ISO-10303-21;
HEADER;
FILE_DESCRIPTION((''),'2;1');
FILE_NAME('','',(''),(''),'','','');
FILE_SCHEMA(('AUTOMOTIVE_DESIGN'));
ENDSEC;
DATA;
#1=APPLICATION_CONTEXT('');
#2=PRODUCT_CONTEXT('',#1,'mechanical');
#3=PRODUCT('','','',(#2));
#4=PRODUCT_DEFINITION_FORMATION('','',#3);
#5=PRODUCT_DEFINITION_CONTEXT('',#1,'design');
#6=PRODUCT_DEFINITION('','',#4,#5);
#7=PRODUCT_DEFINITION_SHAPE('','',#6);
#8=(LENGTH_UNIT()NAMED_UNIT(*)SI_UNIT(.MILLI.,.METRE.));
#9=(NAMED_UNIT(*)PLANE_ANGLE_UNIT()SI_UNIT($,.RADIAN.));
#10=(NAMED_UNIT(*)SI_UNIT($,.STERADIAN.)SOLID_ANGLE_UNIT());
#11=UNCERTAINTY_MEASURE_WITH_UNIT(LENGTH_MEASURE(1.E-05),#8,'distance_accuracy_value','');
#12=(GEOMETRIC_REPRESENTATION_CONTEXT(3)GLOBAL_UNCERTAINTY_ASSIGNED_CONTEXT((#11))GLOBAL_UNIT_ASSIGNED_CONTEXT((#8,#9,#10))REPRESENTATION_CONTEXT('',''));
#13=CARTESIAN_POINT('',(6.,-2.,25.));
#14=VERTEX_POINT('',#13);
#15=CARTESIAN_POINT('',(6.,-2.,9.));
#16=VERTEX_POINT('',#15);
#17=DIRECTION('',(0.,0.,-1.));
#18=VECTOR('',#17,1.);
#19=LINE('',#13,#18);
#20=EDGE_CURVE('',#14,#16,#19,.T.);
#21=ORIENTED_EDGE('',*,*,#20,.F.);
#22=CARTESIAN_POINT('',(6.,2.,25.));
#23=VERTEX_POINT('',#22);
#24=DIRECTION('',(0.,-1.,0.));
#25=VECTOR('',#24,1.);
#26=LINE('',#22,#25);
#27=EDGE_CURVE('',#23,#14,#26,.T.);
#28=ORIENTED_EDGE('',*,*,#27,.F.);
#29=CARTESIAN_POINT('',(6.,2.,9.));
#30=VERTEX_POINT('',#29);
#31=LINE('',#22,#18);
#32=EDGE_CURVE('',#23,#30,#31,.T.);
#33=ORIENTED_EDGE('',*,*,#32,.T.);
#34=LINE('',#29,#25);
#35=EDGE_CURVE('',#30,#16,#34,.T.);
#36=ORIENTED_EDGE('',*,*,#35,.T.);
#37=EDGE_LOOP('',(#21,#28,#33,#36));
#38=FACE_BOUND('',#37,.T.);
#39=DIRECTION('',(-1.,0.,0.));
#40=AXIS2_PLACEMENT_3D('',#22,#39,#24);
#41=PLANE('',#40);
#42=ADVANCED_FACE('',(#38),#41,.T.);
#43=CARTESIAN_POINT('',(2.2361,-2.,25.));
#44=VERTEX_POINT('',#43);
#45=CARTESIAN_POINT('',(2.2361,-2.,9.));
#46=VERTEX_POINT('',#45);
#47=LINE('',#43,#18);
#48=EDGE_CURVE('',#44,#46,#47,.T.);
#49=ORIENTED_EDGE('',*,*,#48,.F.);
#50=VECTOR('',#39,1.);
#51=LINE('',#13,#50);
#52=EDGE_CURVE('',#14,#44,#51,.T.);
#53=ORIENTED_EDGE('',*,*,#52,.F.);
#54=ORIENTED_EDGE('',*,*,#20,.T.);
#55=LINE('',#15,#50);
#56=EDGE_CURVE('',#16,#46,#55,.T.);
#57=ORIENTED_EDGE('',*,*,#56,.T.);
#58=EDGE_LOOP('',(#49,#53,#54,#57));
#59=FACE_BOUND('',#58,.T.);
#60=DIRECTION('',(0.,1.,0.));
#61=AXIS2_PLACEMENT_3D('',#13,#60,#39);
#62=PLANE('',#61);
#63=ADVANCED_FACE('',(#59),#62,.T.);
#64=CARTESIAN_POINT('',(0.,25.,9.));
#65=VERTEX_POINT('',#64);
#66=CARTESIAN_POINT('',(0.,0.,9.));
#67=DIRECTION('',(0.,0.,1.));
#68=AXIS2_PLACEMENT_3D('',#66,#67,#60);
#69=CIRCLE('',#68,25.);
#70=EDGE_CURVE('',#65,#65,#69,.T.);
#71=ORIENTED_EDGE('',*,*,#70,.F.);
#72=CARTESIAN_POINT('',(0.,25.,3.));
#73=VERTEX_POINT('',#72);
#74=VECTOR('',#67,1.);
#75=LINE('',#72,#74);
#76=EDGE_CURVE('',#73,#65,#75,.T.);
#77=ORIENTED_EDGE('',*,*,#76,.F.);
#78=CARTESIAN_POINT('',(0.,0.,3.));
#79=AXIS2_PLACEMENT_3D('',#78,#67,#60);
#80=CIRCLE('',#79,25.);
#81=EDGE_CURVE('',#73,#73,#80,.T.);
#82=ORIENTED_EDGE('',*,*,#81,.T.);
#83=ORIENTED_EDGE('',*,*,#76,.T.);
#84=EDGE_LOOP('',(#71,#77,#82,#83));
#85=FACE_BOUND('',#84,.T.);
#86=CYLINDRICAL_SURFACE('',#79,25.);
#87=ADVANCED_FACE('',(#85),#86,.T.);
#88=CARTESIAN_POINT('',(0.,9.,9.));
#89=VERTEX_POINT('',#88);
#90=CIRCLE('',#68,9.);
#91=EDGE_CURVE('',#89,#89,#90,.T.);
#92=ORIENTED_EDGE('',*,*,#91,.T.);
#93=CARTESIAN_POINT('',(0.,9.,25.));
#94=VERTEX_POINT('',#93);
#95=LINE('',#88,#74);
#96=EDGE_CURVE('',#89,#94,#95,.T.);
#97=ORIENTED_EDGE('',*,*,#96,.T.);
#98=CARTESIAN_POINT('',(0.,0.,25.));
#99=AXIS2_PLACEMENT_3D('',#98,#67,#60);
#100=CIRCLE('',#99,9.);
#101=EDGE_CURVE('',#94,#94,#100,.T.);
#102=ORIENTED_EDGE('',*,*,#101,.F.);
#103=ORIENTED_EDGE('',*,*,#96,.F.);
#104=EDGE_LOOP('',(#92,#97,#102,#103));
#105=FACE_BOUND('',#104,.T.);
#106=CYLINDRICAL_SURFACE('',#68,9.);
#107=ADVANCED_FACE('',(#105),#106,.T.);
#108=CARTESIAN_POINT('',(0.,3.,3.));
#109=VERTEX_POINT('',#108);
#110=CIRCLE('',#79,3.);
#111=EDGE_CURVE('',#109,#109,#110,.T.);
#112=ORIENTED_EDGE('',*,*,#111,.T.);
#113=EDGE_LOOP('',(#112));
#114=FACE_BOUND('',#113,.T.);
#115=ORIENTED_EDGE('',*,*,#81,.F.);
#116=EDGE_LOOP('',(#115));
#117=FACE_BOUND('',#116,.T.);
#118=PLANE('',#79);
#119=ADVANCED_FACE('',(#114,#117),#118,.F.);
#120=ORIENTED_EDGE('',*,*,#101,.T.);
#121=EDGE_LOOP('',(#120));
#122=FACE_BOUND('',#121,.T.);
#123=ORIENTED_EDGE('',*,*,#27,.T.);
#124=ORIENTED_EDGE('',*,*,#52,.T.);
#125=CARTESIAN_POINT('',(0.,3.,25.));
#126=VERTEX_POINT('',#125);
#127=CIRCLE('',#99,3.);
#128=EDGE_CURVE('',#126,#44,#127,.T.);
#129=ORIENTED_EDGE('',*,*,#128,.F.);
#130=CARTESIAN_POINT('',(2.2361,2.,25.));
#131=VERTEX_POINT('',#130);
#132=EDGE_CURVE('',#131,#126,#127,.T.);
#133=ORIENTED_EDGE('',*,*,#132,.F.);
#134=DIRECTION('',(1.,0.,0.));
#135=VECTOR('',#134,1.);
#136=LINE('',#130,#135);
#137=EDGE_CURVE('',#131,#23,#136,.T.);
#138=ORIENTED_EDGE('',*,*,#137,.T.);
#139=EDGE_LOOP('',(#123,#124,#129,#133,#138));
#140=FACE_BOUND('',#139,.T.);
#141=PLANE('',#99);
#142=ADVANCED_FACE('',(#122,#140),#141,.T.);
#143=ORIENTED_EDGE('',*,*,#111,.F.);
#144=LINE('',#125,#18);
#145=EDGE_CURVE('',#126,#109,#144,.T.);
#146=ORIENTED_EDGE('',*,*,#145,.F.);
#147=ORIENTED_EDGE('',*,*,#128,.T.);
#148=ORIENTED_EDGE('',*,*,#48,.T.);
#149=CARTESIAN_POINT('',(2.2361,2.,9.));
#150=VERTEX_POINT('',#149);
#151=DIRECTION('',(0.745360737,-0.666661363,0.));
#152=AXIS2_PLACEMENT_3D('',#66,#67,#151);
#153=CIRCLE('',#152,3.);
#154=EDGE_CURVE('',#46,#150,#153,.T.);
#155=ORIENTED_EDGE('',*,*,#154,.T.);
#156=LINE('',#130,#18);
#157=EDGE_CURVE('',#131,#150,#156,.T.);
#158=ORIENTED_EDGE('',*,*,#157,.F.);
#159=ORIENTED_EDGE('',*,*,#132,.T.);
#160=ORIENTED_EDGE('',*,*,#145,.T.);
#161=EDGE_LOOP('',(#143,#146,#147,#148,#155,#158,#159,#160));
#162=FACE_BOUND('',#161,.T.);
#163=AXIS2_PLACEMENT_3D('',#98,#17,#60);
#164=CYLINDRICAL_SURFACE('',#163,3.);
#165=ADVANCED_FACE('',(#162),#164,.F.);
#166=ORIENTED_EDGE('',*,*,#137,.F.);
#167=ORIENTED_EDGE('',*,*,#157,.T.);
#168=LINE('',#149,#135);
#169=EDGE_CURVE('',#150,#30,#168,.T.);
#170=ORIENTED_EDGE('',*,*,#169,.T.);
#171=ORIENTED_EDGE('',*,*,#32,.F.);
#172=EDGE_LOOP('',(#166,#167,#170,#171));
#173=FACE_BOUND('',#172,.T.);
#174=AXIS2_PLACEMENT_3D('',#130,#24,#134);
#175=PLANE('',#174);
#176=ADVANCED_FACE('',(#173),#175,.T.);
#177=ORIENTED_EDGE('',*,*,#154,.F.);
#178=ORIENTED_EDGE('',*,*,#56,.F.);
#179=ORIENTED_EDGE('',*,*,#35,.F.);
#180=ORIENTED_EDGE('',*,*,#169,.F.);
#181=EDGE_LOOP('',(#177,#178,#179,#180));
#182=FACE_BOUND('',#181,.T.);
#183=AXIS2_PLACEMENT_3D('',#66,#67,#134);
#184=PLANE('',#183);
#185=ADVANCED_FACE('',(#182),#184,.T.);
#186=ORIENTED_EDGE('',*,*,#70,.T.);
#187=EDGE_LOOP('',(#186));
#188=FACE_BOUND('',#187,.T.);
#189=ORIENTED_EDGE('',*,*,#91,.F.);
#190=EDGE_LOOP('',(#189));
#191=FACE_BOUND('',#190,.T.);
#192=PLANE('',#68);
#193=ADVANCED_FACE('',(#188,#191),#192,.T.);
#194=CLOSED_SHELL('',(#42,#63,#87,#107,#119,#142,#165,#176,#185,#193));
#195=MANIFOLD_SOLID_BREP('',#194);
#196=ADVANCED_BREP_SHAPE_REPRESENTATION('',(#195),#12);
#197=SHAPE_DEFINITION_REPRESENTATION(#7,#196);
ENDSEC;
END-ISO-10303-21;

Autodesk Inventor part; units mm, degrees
ref_plane "YZ Plane" through (0, 0, 0) normal (1, 0, 0) x (0, 1, 0)
ref_plane "XZ Plane" through (0, 0, 0) normal (0, 1, 0) x (-1, 0, 0)
ref_plane "XY Plane" through (0, 0, 0) normal (0, 0, 1) x (1, 0, 0)
sketch "Sketch1" plane through (0, 0, 0) normal (1, 0, 0) x (0, 1, 0)
  line L0 (3, 25) -> (3, 3)
  line L1 (3, 3) -> (25, 3)
  line L2 (25, 3) -> (25, 9)
  line L3 (25, 9) -> (9, 9)
  line L4 (9, 9) -> (9, 25)
  line L5 (9, 25) -> (3, 25)
  line L6 (0, 30) -> (0, -5) projected
  line L7 (-5, 0) -> (30, 0) projected
  point P0 (0, 0)
  dimension "d0" = 6
  dimension "d3" = 22
  dimension "d4" = 3
  dimension "d5" = 3
revolve "Revolution1" add sketch "Sketch1" angle 360 about axis through (0, 0, 0) along (0, 0, 1)
sketch "Sketch2" plane through (0, 0, 25) normal (0, 0, 1) x (1, 0, 0)
  circle A0 centre (0, 0) radius 3 projected
  line L0 (2.2361, 2) -> (6, 2)
  line L1 (6, 2) -> (6, -2)
  line L2 (6, -2) -> (2.2361, -2)
  dimension "d7" = 4
  dimension "d9" = 6
extrude "Extrusion1" cut sketch "Sketch2" against normal blind 16 contours A0 L0 L1 L2
properties part number "rev_flange_1"
